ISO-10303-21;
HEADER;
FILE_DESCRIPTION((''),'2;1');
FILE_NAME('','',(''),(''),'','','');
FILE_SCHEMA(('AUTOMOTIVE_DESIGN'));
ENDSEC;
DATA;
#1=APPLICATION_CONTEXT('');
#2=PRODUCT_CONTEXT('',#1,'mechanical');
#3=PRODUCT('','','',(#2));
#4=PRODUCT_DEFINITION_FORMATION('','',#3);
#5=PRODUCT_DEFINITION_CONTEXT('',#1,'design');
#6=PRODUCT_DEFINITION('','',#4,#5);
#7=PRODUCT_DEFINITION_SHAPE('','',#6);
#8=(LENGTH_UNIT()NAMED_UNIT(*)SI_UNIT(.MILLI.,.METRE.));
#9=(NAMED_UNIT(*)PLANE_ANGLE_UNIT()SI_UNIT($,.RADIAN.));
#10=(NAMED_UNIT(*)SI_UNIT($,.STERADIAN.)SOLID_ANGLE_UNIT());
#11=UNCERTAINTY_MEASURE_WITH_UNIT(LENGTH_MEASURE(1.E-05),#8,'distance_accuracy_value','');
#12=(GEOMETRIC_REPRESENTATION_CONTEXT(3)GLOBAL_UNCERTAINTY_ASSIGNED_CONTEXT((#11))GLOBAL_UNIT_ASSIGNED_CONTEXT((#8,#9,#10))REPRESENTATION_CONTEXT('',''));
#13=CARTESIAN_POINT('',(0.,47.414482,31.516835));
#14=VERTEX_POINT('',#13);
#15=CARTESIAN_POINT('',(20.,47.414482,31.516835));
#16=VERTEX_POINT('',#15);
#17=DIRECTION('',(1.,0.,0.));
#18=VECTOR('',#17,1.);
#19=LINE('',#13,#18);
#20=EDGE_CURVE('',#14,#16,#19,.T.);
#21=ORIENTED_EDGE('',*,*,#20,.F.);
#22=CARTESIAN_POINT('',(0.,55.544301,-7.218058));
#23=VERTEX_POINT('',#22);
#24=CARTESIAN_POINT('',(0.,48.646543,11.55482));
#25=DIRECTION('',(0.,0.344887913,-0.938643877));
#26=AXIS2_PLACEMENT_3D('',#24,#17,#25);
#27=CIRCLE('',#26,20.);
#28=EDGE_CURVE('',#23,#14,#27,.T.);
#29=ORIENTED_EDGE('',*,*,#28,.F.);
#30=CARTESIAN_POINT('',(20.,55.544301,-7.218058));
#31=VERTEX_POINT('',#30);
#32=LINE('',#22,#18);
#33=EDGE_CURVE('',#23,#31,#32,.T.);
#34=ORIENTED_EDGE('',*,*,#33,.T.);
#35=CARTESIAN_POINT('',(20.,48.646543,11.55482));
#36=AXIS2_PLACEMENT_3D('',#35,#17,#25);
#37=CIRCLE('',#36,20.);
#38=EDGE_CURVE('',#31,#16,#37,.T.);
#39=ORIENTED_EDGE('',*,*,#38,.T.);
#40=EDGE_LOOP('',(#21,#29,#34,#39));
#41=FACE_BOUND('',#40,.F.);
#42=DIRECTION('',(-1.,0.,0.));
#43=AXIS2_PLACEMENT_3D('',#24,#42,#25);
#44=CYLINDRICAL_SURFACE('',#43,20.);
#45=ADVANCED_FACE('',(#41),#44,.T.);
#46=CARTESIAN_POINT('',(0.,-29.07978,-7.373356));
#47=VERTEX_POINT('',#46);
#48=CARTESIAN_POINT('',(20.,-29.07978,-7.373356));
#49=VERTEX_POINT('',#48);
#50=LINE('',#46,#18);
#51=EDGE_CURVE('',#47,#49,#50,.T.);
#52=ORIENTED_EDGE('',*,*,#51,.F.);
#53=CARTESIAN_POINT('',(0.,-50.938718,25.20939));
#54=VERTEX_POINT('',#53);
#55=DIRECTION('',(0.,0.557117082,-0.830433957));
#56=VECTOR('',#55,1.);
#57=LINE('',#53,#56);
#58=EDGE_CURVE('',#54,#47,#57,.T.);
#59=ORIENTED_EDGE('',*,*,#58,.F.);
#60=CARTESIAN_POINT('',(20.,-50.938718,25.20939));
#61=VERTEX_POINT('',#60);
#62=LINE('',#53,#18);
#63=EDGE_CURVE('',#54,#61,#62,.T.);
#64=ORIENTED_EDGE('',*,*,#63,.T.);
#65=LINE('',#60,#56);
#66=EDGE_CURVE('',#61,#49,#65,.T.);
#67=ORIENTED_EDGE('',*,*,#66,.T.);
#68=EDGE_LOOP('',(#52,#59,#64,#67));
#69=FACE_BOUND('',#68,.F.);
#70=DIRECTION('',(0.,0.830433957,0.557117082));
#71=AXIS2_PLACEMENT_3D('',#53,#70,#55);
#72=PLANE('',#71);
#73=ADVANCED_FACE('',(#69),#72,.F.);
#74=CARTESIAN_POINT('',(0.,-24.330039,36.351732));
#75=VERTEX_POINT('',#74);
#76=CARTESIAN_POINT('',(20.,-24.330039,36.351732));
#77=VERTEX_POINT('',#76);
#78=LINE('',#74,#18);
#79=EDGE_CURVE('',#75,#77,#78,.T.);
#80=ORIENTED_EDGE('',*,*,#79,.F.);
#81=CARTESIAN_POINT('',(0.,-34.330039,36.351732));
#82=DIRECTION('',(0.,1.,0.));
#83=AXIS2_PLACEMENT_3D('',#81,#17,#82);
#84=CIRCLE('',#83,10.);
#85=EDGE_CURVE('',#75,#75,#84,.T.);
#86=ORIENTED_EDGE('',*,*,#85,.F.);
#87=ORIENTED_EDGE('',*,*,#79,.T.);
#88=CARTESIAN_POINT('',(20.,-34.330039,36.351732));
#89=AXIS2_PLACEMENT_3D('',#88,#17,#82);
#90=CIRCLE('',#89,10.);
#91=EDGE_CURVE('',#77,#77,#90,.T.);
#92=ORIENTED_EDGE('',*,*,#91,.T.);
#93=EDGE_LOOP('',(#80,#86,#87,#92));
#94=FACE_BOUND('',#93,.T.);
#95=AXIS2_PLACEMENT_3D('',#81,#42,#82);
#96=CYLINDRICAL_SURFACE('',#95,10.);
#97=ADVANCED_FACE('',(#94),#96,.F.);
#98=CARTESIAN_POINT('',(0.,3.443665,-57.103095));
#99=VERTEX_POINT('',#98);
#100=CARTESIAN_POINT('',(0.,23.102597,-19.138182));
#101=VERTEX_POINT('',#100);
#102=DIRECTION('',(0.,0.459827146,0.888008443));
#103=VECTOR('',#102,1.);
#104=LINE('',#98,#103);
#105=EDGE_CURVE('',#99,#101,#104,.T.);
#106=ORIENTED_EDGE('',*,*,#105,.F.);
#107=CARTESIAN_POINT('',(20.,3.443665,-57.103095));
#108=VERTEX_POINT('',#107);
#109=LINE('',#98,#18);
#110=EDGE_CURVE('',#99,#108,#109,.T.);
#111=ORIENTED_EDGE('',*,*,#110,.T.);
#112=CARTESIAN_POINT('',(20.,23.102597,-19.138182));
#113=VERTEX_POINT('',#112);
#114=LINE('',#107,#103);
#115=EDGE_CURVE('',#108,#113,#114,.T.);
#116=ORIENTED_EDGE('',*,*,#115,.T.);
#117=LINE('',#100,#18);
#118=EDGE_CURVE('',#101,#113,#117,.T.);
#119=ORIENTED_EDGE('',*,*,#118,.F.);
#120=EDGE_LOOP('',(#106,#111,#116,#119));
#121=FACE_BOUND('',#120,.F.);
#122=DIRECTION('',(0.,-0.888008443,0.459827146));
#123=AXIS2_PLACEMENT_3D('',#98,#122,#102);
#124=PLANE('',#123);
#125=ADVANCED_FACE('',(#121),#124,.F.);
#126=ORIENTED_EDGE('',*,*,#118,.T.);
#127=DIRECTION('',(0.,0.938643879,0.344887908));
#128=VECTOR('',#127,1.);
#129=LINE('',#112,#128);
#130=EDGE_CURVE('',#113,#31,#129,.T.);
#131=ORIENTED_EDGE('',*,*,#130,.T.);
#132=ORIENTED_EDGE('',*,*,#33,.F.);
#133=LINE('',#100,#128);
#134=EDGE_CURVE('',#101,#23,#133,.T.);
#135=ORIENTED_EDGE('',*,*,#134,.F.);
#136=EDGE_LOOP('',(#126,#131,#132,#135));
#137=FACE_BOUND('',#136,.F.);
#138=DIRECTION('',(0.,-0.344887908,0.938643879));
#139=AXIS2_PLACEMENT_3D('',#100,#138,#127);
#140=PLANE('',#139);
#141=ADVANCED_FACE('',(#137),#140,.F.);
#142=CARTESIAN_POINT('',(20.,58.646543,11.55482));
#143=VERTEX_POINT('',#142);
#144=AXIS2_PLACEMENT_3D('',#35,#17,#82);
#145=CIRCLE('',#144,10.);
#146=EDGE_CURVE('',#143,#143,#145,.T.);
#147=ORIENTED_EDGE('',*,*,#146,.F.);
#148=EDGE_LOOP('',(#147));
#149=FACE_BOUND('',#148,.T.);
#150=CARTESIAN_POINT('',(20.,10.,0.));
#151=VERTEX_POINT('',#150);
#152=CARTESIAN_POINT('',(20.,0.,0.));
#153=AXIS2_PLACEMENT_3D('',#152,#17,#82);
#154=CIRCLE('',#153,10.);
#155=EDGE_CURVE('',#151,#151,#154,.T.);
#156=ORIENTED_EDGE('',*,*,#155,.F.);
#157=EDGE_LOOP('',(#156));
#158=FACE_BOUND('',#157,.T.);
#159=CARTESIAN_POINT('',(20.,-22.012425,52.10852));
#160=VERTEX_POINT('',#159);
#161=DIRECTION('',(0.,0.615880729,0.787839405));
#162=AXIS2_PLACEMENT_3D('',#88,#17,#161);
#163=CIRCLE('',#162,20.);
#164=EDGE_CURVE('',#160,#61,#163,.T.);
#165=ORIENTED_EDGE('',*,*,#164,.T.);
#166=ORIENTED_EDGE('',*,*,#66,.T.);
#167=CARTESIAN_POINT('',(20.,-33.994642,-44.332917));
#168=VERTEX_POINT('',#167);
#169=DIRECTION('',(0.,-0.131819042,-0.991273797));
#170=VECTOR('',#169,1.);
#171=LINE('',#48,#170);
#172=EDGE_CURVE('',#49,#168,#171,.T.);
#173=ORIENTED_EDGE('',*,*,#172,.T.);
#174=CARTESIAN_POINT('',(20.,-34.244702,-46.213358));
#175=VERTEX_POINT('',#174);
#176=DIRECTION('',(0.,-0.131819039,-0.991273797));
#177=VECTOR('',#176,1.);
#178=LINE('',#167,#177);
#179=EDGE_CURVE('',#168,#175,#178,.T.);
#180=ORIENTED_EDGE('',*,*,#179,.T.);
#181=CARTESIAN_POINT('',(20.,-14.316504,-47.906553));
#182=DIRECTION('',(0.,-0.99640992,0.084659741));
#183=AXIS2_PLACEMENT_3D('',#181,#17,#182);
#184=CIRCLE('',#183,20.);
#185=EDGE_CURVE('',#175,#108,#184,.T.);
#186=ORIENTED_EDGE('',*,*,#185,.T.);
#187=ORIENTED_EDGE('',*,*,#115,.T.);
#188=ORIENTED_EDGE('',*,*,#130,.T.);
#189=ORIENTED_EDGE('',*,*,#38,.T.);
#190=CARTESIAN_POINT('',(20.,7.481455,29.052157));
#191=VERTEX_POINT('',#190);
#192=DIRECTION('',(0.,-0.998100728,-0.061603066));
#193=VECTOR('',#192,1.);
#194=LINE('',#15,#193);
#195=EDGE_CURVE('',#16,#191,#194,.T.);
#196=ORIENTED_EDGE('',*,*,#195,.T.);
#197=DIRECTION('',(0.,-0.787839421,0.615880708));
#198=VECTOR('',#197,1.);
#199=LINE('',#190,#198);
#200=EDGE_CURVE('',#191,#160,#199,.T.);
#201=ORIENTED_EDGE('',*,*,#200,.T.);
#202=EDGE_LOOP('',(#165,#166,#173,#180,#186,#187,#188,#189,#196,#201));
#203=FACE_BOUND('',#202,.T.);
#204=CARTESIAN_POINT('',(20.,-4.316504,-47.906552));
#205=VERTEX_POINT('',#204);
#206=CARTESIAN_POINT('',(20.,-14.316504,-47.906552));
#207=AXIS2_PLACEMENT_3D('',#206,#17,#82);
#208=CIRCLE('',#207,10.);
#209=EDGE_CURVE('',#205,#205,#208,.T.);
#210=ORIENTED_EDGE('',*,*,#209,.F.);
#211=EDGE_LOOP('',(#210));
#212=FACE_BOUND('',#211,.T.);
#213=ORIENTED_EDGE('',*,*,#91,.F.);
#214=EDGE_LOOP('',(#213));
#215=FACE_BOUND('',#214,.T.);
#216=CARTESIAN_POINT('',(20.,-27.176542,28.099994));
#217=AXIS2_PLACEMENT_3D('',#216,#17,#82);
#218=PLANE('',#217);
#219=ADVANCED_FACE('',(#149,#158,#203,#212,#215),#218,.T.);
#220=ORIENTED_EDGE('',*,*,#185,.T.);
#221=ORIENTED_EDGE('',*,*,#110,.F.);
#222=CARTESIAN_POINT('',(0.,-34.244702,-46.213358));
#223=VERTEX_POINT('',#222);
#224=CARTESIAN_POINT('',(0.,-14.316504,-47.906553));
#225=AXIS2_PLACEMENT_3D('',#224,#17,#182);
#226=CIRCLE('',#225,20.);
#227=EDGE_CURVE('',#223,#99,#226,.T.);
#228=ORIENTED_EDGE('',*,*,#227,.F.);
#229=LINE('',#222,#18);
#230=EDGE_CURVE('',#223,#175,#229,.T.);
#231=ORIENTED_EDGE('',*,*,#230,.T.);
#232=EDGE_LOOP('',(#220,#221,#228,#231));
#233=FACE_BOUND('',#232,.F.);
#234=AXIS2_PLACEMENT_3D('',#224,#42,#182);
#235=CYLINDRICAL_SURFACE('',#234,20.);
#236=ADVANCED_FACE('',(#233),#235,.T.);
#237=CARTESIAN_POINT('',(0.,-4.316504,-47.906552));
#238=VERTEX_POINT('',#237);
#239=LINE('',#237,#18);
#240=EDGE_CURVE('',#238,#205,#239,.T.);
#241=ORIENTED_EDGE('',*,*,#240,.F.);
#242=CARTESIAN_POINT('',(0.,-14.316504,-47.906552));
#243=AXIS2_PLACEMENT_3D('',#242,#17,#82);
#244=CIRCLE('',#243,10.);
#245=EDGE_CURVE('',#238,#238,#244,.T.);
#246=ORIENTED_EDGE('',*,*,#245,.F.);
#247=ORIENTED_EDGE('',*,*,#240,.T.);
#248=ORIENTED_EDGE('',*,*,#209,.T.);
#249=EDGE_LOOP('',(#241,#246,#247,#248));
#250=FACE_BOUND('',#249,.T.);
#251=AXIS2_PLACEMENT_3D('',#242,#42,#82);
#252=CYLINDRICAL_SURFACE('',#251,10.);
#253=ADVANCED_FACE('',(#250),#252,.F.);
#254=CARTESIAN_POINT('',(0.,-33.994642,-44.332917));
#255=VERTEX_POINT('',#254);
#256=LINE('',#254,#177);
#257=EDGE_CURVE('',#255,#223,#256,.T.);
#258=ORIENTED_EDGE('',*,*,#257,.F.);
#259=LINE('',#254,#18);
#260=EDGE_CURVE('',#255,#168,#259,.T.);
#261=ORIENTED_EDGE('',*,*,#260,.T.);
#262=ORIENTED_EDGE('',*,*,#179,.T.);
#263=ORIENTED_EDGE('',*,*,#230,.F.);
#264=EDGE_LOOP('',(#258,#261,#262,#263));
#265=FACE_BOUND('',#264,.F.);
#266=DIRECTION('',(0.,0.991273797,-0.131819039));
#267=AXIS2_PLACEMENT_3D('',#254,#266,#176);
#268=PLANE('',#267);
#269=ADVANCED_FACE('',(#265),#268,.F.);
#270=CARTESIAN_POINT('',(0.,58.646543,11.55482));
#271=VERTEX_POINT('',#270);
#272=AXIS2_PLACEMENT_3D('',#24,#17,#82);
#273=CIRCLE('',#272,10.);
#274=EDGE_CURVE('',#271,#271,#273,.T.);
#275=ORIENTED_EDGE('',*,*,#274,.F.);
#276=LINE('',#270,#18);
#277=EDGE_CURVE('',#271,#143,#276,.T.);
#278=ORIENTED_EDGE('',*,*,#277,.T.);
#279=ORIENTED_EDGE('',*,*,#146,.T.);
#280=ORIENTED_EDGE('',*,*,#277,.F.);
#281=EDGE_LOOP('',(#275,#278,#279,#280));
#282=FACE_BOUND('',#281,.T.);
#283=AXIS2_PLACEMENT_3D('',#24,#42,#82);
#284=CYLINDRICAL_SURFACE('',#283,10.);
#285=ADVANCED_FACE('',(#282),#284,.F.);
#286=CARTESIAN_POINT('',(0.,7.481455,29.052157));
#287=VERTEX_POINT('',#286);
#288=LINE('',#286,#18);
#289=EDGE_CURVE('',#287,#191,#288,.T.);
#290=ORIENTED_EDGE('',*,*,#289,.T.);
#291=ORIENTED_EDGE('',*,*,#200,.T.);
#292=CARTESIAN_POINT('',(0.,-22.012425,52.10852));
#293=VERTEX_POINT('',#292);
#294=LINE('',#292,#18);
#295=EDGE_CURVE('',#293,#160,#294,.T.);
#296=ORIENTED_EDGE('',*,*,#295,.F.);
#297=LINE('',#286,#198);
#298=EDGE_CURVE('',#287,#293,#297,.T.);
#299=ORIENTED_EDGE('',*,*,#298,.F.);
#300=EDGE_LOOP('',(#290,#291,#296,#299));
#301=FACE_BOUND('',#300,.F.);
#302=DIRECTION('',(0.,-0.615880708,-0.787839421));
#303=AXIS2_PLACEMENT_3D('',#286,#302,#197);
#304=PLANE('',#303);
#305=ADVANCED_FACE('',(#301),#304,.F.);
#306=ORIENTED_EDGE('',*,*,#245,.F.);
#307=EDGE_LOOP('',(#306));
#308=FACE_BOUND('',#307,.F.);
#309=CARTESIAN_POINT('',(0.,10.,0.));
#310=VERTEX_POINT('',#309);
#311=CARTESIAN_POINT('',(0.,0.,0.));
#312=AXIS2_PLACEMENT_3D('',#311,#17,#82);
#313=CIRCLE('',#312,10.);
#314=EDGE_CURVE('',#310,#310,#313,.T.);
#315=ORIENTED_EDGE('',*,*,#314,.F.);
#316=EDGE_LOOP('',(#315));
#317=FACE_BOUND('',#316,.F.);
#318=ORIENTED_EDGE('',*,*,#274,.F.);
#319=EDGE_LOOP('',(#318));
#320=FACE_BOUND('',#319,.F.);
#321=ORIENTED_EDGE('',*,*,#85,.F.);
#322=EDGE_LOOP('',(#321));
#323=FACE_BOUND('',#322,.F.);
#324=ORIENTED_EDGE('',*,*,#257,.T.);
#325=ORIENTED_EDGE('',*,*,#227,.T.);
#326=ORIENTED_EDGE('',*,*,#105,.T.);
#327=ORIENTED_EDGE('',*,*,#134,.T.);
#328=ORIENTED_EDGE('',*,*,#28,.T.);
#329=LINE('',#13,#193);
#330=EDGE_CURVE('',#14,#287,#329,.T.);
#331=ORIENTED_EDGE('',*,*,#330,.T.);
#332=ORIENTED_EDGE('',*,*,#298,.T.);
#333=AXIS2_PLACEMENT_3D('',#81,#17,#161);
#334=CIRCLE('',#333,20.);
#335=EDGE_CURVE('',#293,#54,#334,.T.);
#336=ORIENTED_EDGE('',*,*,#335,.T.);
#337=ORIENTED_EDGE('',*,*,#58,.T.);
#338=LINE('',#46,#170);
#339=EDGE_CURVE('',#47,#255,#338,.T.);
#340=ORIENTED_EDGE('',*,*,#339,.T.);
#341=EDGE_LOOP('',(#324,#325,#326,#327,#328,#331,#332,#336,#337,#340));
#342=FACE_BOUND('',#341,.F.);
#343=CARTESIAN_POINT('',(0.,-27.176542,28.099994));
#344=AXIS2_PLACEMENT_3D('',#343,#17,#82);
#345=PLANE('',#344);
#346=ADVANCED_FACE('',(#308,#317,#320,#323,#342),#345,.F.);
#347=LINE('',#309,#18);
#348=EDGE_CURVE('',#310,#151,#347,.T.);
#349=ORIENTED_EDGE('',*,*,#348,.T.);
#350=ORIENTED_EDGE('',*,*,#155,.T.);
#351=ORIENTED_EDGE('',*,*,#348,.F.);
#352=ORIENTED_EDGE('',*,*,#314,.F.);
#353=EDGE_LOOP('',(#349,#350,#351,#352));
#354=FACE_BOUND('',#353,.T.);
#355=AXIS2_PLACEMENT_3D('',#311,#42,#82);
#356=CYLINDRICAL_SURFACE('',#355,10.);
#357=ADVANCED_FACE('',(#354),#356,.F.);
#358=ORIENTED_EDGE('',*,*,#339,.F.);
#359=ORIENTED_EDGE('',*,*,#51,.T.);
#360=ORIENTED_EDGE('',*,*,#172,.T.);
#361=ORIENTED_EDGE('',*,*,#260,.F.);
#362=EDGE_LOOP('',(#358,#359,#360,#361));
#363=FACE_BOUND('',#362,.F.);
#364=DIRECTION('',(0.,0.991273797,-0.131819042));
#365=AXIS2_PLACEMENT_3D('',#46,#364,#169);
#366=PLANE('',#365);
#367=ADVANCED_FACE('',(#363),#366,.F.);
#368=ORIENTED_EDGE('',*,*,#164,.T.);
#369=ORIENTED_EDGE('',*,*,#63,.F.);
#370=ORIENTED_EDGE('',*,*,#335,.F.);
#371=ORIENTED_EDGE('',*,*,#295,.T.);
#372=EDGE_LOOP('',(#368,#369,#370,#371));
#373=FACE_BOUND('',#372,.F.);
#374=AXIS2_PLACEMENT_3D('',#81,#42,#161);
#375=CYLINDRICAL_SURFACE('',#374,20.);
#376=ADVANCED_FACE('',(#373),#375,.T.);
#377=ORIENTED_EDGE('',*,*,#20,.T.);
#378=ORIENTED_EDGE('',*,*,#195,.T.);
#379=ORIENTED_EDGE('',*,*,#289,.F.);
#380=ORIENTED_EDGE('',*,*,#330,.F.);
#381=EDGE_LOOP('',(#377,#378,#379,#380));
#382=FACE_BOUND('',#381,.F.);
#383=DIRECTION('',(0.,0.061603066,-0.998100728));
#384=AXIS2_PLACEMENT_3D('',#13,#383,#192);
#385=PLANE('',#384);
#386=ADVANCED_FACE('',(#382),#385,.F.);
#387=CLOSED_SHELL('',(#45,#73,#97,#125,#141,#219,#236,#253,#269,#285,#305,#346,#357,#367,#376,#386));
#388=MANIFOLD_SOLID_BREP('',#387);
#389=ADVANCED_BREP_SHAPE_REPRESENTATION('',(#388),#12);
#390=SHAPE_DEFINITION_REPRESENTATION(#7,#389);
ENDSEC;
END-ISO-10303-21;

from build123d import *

# Parameters (mm, degrees)
F0_R     = 10
F1_DEPTH = 20


with BuildPart() as f1:
    # F0 (on Right) → F1 (new body)
    with BuildSketch(Plane.YZ):
        with BuildLine():
            Line((7.481455, 29.052157), (-22.012425, 52.10852))
            ThreePointArc((-22.012425, 52.10852), (-47.949661, 50.997752), (-50.938718, 25.20939))
            Line((-50.938718, 25.20939), (-29.07978, -7.373356))
            ThreePointArc((-29.07978, -7.373356), (-21.17372, 21.252614), (7.481455, 29.052157))
        make_face()
        with Locations((-34.330039, 36.351732)):
            Circle(F0_R, mode=Mode.SUBTRACT)
        with BuildLine():
            Line((47.414482, 31.516835), (7.481455, 29.052157))
            ThreePointArc((7.481455, 29.052157), (23.711217, 18.378742), (30, 0))
            ThreePointArc((30, 0), (28.223022, -10.17158), (23.102597, -19.138182))
            Line((23.102597, -19.138182), (55.544301, -7.218058))
            ThreePointArc((55.544301, -7.218058), (68.220071, 15.662983), (47.414482, 31.516835))
        make_face()
        with Locations((48.646543, 11.55482)):
            Circle(F0_R, mode=Mode.SUBTRACT)
        with BuildLine():
            ThreePointArc((23.102597, -19.138182), (-6.598065, -29.265432), (-29.07978, -7.373356))
            Line((-29.07978, -7.373356), (-33.994642, -44.332917))
            Line((-33.994642, -44.332917), (-34.244702, -46.213358))
            ThreePointArc((-34.244702, -46.213358), (-19.868232, -67.120566), (3.443665, -57.103095))
            Line((3.443665, -57.103095), (23.102597, -19.138182))
        make_face()
        with Locations((-14.316504, -47.906552)):
            Circle(F0_R, mode=Mode.SUBTRACT)
        with BuildLine():
            ThreePointArc((30, 0), (23.711217, 18.378742), (7.481455, 29.052157))
            ThreePointArc((7.481455, 29.052157), (-21.17372, 21.252614), (-29.07978, -7.373356))
            ThreePointArc((-29.07978, -7.373356), (-6.598065, -29.265432), (23.102597, -19.138182))
            ThreePointArc((23.102597, -19.138182), (28.223022, -10.17158), (30, 0))
        make_face()
        Circle(F0_R, mode=Mode.SUBTRACT)
    extrude(amount=F1_DEPTH)


solid = f1.part
